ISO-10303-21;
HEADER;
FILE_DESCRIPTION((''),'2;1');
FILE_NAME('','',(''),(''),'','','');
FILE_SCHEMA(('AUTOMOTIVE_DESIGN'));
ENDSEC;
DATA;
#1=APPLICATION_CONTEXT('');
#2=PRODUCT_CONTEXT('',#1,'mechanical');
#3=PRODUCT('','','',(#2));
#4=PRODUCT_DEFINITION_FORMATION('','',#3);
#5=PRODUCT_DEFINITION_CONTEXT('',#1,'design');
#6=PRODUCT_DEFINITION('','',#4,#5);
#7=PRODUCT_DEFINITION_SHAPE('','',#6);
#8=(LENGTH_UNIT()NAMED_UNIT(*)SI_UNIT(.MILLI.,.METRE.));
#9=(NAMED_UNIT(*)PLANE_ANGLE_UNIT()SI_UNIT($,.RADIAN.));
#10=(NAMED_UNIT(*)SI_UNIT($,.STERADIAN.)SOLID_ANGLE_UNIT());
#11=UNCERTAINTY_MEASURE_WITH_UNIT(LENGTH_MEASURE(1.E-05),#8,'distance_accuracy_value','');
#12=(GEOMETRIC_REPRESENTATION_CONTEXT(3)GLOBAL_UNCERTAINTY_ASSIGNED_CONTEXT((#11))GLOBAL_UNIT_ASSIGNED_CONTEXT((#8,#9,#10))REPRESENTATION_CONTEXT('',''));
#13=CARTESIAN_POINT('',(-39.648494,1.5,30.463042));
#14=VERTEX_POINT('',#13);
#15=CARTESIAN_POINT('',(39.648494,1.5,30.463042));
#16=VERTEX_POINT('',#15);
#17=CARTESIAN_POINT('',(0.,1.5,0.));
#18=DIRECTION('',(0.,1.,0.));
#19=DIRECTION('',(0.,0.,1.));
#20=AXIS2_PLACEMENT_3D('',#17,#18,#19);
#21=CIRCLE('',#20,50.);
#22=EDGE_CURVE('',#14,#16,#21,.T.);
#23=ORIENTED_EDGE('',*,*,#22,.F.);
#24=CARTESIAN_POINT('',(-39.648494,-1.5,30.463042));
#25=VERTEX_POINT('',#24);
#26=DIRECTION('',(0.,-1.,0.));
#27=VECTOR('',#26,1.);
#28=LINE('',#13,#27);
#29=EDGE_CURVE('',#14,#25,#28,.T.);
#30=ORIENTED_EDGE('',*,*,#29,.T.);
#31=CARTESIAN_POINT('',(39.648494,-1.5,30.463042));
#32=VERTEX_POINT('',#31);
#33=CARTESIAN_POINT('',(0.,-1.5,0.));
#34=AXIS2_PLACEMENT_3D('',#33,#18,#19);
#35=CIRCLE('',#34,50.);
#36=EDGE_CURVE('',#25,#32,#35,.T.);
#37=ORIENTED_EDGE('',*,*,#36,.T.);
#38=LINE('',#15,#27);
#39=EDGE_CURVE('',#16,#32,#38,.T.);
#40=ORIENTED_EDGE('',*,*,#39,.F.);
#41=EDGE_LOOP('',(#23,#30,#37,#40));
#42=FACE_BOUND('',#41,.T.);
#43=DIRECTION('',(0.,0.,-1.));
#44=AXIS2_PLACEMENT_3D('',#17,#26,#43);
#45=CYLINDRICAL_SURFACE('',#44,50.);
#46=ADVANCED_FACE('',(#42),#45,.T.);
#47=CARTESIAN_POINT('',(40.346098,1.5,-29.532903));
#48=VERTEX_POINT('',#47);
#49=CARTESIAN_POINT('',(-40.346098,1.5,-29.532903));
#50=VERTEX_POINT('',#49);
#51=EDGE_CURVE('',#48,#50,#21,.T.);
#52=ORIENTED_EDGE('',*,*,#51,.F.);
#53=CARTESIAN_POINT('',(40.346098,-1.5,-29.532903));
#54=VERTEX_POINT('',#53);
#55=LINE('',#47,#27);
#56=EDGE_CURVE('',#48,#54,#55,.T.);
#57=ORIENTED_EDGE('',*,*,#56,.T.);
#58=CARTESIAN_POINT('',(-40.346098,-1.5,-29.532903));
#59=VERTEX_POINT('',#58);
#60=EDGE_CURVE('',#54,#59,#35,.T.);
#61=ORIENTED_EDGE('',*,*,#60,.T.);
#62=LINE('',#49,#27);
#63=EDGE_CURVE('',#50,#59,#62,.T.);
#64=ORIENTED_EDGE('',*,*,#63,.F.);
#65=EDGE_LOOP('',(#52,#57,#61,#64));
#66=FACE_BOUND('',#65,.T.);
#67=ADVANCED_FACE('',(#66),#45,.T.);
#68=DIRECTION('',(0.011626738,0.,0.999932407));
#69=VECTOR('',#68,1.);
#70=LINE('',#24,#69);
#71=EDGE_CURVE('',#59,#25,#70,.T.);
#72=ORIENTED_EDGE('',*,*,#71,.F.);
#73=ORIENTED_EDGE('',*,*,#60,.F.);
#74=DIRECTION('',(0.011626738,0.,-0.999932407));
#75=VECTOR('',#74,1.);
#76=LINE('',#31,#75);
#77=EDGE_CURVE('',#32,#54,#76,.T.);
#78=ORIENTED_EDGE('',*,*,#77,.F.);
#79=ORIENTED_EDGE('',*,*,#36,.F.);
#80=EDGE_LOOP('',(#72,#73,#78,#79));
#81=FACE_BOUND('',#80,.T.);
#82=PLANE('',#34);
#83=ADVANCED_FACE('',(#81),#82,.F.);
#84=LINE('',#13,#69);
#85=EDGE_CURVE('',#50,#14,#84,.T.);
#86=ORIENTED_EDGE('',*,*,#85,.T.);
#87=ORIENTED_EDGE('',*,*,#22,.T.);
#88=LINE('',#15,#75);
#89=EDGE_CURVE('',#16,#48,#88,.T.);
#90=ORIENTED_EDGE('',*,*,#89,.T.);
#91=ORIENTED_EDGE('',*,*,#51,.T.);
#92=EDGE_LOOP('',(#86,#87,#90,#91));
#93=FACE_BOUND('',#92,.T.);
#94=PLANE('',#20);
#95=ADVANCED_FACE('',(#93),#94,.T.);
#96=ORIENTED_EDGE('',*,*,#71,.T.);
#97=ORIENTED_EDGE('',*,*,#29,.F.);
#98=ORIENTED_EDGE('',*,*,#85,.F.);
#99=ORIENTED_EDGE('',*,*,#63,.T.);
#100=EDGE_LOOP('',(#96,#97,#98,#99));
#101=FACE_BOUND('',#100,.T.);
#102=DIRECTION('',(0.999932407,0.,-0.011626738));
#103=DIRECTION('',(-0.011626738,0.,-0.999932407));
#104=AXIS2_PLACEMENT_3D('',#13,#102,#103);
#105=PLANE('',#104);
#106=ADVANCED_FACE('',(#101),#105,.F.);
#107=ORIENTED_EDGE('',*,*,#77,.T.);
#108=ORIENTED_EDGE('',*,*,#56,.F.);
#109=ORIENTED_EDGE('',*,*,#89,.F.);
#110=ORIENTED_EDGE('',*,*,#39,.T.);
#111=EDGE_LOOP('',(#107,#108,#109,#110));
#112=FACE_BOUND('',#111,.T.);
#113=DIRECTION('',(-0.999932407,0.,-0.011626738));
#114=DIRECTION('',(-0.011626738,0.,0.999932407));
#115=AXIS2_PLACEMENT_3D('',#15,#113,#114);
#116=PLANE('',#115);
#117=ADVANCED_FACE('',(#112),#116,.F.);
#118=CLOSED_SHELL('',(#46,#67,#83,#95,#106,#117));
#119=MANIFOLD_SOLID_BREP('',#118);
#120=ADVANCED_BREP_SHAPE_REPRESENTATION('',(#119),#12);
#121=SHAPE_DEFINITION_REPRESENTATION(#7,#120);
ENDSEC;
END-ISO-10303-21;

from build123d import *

# Parameters (mm, degrees)
BOSS_EXTRUDE1_DEPTH = 1.5


with BuildPart() as part:
    # Sketch1 → Boss-Extrude1 (new body, symmetric)
    with BuildSketch(Plane(origin=(0, 0, 0), x_dir=(1, 0, 0), z_dir=(0, 1, 0))):
        with BuildLine():
            Line((39.648494152, -30.463041731), (40.346098424, 29.532902701))
            ThreePointArc((40.346098424, 29.532902701), (0, 50), (-40.346098424, 29.532902701))
            Line((-40.346098424, 29.532902701), (-39.648494152, -30.463041731))
            ThreePointArc((-39.648494152, -30.463041731), (0, -50), (39.648494152, -30.463041731))
        make_face()
    extrude(amount=BOSS_EXTRUDE1_DEPTH, both=True)


solid = part.part
